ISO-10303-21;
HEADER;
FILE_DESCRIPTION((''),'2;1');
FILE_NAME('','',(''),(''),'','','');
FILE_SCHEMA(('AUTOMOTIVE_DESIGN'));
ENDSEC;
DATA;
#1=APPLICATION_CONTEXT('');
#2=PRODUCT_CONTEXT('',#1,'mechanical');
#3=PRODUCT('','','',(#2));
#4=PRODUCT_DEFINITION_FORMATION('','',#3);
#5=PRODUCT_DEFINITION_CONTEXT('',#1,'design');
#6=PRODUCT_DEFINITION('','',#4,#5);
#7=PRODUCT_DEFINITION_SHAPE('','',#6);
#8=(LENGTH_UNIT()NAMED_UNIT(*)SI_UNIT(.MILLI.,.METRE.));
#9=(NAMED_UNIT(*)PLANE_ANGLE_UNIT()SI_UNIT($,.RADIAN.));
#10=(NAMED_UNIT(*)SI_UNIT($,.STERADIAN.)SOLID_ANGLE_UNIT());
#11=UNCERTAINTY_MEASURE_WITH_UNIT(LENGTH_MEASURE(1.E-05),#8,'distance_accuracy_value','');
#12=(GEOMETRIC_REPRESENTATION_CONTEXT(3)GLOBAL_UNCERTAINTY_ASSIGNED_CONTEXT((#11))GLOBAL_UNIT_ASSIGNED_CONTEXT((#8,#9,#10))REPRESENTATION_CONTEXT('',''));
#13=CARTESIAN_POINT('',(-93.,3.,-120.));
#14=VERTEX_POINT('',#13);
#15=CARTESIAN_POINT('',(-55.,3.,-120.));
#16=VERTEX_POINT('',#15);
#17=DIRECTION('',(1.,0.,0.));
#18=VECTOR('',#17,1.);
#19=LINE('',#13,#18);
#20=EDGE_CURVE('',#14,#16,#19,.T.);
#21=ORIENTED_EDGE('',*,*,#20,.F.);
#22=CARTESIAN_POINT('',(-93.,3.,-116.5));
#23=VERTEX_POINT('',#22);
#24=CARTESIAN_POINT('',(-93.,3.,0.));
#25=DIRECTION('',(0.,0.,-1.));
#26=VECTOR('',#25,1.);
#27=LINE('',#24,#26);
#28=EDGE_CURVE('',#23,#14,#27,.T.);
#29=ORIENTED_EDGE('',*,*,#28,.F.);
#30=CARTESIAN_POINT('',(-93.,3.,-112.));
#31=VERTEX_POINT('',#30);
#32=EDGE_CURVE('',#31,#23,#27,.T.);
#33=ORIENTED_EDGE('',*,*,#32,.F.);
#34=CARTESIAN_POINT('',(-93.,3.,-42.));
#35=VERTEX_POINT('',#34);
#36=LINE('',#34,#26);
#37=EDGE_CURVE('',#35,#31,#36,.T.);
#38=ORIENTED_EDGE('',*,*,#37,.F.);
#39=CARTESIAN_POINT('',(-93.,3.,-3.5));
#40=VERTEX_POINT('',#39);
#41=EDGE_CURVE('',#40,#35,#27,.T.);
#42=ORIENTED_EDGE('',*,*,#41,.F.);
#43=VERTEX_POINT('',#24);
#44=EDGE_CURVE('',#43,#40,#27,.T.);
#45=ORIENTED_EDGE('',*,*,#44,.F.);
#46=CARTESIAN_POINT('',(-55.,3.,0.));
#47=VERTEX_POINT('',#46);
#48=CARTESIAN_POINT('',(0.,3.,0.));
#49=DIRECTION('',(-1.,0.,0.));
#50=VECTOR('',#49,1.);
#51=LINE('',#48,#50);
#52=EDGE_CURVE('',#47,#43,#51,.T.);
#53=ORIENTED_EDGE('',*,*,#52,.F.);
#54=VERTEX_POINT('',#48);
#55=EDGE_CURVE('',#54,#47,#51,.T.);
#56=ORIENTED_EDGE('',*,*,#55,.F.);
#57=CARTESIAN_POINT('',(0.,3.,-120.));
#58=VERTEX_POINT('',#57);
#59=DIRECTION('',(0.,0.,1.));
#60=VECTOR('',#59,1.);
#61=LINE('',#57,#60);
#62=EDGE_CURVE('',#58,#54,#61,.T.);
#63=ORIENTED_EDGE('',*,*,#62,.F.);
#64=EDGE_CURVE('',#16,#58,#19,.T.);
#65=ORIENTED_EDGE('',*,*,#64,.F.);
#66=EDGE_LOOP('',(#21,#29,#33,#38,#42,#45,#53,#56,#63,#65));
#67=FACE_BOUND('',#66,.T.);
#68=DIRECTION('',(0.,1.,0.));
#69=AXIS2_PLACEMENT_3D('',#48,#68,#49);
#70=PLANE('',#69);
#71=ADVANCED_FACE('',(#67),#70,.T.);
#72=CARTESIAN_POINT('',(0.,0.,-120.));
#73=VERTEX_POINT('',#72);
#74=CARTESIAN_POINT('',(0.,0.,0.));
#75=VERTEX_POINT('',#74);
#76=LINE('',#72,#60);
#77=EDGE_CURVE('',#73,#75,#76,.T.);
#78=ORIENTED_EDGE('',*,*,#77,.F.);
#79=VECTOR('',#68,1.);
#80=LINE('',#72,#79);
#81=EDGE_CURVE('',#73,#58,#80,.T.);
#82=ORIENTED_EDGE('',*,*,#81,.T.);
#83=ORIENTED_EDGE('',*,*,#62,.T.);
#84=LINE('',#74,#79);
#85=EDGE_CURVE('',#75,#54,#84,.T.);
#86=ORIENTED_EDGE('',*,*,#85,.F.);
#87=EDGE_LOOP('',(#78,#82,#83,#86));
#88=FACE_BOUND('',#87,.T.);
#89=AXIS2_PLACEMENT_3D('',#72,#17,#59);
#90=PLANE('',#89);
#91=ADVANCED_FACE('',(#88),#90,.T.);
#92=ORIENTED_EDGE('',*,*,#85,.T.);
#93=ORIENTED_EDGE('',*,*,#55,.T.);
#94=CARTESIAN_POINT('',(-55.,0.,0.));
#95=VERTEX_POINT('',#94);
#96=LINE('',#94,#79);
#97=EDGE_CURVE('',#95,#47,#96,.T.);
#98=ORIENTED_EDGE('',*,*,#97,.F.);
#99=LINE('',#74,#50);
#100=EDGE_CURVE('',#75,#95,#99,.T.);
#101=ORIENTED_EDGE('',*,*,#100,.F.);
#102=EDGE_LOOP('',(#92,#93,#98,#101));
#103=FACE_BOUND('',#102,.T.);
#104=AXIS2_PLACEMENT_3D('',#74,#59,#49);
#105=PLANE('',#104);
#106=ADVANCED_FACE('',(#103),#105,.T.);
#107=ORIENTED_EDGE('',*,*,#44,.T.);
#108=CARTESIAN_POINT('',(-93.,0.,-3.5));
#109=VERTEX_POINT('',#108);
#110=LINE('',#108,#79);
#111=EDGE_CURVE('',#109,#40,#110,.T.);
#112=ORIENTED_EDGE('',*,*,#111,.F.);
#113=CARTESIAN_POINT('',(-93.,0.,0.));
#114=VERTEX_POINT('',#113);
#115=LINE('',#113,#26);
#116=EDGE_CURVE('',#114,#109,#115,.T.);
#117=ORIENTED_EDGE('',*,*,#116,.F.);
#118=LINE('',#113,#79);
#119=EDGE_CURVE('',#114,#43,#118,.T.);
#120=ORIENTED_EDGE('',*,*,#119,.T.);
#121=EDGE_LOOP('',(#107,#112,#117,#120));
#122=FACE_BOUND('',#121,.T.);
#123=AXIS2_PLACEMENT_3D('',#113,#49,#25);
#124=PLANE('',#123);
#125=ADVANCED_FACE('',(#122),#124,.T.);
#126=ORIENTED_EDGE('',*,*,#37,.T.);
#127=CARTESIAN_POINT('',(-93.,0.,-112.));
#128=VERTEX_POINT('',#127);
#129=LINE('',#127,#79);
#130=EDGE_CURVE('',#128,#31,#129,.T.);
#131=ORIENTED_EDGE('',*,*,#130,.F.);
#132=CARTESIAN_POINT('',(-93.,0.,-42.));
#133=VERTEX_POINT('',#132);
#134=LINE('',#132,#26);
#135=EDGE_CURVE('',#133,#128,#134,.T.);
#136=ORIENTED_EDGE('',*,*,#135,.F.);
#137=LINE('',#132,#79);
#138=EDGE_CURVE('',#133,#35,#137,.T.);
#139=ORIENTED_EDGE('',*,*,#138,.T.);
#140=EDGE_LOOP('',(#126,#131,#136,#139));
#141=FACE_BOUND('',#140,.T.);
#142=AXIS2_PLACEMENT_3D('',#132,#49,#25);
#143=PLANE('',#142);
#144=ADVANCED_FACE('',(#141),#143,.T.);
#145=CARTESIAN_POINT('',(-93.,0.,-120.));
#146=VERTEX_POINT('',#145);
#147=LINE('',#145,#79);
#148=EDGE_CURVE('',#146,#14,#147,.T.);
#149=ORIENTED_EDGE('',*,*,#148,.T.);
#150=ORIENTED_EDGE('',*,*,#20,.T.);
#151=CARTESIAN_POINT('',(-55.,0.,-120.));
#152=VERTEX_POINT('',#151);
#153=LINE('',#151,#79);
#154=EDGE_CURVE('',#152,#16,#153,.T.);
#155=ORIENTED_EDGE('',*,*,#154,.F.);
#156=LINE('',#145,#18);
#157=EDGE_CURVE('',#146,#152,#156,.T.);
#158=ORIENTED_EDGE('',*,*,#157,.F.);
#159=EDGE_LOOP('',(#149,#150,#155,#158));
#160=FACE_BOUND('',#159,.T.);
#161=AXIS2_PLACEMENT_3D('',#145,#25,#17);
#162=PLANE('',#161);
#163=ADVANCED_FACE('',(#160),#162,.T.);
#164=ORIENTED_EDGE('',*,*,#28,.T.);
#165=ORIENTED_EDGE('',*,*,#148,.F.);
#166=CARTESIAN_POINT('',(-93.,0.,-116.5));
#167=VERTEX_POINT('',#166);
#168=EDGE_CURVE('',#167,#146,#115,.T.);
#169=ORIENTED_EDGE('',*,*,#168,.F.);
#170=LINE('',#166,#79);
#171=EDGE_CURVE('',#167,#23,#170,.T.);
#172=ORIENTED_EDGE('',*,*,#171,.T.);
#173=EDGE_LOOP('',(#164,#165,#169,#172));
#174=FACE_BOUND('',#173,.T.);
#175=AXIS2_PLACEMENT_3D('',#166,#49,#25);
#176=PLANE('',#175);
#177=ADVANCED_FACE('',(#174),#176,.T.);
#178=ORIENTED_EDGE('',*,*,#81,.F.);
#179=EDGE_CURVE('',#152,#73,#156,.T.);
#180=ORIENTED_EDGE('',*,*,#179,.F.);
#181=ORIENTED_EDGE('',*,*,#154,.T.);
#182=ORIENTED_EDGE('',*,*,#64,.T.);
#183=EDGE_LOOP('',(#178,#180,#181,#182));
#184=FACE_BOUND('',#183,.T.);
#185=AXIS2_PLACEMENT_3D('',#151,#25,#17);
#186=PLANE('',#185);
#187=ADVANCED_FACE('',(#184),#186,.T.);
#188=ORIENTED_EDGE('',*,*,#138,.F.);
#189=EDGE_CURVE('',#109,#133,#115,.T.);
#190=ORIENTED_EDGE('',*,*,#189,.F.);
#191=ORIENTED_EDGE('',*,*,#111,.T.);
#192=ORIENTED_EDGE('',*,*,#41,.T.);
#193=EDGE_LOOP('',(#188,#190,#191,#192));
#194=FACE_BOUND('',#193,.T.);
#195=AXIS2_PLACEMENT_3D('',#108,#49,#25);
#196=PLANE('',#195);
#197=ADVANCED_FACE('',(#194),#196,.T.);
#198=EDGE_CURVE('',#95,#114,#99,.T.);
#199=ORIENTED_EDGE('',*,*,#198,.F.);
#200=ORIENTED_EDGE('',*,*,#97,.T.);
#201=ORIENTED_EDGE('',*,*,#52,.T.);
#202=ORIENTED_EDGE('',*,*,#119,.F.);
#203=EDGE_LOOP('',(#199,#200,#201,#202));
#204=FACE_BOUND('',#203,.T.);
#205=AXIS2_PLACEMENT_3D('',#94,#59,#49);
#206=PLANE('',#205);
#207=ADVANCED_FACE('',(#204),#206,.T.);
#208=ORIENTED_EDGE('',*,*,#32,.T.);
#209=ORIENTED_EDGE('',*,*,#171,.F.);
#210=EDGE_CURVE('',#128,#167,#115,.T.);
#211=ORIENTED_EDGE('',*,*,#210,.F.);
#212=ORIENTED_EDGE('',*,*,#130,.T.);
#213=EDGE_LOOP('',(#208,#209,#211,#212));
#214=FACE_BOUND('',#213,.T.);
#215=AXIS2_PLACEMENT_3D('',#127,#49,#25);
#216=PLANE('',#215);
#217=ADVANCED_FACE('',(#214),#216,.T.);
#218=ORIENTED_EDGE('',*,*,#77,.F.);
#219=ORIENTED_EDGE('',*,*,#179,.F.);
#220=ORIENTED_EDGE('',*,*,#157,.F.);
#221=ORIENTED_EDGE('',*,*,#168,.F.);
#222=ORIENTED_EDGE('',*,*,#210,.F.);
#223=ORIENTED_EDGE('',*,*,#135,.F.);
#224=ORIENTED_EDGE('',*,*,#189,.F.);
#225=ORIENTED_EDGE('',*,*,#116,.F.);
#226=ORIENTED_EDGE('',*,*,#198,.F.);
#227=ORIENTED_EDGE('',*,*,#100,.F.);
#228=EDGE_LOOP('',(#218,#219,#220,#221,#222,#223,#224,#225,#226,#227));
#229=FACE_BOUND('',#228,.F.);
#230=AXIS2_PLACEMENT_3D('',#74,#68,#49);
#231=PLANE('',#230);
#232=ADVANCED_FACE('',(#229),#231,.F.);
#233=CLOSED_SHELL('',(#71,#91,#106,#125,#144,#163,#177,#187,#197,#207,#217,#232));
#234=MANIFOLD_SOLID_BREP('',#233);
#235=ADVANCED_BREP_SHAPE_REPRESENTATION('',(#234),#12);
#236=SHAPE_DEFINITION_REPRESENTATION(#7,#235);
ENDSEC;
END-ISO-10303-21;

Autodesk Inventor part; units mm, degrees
ref_plane "YZ Plane" through (0, 0, 0) normal (1, 0, 0) x (0, 1, 0)
ref_plane "XZ Plane" through (0, 0, 0) normal (0, 1, 0) x (-1, 0, 0)
ref_plane "XY Plane" through (0, 0, 0) normal (0, 0, 1) x (1, 0, 0)
sketch "Sketch1" plane through (0, 0, 0) normal (0, 1, 0) x (-1, 0, 0)
  line L0 (0, 0) -> (93, 0)
  line L1 (93, 0) -> (93, -120)
  line L2 (93, -120) -> (0, -120)
  line L3 (0, -120) -> (0, 0)
  line L4 (93, -120) -> (55, -120)
  line L5 (93, -116.5) -> (93, -120)
  line L6 (93, 0) -> (55, 0)
  line L7 (93, -3.5) -> (93, 0)
  line L8 (93, -42) -> (93, -112)
  point P0 (46.5, 0)
  dimension "d0" = 120
  dimension "d1" = 93
extrude "Extrusion1" add sketch "Sketch1" along normal blind 3
properties part number "CapRS3" material "Steel"
